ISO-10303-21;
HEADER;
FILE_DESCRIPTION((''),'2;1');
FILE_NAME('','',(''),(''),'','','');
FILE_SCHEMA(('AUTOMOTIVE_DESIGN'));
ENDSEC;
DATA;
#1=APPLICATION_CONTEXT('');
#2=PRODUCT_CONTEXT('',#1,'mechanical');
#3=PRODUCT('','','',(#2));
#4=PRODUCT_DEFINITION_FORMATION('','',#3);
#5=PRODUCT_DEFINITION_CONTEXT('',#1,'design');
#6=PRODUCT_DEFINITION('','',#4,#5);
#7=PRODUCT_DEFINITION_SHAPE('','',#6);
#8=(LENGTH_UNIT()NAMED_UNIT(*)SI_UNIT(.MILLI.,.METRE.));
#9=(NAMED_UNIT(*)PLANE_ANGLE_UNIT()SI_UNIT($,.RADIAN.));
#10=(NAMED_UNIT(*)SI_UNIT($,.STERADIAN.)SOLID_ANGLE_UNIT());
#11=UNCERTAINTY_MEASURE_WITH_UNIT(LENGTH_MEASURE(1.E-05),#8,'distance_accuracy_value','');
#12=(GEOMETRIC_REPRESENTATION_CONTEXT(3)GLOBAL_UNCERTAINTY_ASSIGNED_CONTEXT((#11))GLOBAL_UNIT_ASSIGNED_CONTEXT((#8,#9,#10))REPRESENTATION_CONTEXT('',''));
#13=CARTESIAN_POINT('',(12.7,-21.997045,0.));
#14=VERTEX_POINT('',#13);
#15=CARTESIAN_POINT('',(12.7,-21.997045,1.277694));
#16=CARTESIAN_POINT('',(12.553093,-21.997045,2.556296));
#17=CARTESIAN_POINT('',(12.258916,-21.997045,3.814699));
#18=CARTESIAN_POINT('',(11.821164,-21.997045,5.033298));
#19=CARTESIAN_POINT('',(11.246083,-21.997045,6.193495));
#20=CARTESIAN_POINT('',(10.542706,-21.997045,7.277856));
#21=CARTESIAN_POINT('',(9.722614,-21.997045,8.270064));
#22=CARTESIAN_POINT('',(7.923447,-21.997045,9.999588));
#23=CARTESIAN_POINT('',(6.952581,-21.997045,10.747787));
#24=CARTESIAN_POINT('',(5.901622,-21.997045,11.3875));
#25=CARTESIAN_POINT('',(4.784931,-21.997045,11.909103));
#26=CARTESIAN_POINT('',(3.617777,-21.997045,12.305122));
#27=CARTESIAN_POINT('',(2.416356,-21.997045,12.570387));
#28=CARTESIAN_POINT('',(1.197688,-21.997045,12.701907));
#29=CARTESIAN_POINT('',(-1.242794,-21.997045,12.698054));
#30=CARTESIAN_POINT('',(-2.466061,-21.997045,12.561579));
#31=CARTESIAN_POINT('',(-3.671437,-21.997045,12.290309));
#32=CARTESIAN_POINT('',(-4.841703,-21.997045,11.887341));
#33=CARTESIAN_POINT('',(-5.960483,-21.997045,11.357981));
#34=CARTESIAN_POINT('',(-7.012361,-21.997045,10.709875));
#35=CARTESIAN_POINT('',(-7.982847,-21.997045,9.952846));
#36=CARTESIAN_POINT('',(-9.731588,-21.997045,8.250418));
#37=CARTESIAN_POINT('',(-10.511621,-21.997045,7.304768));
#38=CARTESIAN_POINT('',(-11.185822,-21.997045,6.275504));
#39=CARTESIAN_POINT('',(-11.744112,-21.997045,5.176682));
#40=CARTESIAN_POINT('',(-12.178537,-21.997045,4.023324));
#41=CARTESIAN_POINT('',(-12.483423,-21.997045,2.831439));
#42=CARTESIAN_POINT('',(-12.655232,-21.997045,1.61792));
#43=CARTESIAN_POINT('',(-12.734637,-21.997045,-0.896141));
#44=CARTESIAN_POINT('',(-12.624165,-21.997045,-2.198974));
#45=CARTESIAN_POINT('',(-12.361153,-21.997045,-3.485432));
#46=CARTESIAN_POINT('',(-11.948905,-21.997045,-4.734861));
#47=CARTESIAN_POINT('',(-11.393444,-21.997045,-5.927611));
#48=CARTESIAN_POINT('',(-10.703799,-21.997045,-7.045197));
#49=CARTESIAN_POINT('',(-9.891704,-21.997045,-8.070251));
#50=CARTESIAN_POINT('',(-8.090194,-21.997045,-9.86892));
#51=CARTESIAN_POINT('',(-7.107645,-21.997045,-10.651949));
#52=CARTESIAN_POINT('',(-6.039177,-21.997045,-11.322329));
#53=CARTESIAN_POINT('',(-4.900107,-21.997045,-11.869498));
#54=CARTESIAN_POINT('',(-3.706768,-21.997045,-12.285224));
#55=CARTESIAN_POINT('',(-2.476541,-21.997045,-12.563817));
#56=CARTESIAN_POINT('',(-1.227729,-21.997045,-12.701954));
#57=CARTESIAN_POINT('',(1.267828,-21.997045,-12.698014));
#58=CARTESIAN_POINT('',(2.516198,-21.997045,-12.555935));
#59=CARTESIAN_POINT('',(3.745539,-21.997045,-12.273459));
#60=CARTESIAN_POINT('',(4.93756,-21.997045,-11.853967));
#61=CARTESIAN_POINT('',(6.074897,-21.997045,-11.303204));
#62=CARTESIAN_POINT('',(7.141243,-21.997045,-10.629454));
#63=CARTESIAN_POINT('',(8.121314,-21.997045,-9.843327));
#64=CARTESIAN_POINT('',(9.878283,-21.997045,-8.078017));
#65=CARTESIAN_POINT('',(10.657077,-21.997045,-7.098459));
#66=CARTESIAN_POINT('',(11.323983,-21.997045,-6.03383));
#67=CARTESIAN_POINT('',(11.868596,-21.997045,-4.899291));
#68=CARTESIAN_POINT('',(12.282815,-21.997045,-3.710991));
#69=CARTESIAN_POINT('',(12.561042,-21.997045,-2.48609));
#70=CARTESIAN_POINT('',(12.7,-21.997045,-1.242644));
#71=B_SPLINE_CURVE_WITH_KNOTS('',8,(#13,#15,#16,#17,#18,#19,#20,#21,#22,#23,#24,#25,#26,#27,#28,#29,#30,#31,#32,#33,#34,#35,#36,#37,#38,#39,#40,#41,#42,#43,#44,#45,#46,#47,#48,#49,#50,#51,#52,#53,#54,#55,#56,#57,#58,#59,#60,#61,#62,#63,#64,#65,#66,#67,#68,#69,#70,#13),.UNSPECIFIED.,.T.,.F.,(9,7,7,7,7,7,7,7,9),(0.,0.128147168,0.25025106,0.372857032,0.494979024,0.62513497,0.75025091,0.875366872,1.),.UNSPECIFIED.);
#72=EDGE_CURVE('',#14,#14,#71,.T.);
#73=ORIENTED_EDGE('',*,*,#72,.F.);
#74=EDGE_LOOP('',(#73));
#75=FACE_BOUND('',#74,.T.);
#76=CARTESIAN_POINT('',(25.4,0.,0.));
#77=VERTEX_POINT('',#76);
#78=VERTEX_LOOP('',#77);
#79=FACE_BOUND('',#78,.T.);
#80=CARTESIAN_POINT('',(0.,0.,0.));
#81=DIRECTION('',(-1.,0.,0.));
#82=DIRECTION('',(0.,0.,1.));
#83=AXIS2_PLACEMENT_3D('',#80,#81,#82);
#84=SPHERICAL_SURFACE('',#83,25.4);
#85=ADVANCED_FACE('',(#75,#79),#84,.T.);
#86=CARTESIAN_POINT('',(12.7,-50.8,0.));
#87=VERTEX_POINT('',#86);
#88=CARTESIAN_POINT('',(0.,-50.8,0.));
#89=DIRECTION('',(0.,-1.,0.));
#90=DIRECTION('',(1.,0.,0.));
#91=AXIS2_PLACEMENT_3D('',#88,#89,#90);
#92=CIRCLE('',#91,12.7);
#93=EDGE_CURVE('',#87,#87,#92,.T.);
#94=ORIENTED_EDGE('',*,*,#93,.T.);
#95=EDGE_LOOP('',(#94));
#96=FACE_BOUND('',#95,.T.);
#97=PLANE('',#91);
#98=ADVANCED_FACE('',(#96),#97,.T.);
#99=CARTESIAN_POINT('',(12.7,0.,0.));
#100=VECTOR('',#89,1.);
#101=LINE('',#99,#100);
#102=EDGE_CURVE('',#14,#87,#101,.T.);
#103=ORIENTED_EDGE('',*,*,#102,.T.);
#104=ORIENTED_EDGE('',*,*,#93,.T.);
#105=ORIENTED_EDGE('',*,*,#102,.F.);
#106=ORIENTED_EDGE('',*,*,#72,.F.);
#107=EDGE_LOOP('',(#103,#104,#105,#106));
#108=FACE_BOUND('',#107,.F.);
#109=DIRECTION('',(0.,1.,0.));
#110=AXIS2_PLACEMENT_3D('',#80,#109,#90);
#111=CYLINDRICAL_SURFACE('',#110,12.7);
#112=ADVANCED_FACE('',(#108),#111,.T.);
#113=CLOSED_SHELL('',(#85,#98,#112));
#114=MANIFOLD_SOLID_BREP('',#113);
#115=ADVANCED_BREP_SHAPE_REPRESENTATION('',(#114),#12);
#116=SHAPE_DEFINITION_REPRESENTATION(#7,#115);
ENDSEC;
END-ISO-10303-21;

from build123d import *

# Parameters (mm, degrees)
F2_R     = 12.7
F3_DEPTH = 50.8


with BuildPart() as f1:
    # F0 (on Front) → F1 (revolve)
    with BuildSketch(Plane.XZ):
        with BuildLine():
            Line((-25.4, 0), (25.4, 0))
            ThreePointArc((25.4, 0), (0, 25.4), (-25.4, 0))
        make_face()
    revolve(axis=Axis((0, 0, 0), (-1, 0, 0)))

    # F2 (on Front) → F3 (join)
    with BuildSketch(Plane.XZ):
        Circle(F2_R)
    extrude(amount=F3_DEPTH)


solid = f1.part
